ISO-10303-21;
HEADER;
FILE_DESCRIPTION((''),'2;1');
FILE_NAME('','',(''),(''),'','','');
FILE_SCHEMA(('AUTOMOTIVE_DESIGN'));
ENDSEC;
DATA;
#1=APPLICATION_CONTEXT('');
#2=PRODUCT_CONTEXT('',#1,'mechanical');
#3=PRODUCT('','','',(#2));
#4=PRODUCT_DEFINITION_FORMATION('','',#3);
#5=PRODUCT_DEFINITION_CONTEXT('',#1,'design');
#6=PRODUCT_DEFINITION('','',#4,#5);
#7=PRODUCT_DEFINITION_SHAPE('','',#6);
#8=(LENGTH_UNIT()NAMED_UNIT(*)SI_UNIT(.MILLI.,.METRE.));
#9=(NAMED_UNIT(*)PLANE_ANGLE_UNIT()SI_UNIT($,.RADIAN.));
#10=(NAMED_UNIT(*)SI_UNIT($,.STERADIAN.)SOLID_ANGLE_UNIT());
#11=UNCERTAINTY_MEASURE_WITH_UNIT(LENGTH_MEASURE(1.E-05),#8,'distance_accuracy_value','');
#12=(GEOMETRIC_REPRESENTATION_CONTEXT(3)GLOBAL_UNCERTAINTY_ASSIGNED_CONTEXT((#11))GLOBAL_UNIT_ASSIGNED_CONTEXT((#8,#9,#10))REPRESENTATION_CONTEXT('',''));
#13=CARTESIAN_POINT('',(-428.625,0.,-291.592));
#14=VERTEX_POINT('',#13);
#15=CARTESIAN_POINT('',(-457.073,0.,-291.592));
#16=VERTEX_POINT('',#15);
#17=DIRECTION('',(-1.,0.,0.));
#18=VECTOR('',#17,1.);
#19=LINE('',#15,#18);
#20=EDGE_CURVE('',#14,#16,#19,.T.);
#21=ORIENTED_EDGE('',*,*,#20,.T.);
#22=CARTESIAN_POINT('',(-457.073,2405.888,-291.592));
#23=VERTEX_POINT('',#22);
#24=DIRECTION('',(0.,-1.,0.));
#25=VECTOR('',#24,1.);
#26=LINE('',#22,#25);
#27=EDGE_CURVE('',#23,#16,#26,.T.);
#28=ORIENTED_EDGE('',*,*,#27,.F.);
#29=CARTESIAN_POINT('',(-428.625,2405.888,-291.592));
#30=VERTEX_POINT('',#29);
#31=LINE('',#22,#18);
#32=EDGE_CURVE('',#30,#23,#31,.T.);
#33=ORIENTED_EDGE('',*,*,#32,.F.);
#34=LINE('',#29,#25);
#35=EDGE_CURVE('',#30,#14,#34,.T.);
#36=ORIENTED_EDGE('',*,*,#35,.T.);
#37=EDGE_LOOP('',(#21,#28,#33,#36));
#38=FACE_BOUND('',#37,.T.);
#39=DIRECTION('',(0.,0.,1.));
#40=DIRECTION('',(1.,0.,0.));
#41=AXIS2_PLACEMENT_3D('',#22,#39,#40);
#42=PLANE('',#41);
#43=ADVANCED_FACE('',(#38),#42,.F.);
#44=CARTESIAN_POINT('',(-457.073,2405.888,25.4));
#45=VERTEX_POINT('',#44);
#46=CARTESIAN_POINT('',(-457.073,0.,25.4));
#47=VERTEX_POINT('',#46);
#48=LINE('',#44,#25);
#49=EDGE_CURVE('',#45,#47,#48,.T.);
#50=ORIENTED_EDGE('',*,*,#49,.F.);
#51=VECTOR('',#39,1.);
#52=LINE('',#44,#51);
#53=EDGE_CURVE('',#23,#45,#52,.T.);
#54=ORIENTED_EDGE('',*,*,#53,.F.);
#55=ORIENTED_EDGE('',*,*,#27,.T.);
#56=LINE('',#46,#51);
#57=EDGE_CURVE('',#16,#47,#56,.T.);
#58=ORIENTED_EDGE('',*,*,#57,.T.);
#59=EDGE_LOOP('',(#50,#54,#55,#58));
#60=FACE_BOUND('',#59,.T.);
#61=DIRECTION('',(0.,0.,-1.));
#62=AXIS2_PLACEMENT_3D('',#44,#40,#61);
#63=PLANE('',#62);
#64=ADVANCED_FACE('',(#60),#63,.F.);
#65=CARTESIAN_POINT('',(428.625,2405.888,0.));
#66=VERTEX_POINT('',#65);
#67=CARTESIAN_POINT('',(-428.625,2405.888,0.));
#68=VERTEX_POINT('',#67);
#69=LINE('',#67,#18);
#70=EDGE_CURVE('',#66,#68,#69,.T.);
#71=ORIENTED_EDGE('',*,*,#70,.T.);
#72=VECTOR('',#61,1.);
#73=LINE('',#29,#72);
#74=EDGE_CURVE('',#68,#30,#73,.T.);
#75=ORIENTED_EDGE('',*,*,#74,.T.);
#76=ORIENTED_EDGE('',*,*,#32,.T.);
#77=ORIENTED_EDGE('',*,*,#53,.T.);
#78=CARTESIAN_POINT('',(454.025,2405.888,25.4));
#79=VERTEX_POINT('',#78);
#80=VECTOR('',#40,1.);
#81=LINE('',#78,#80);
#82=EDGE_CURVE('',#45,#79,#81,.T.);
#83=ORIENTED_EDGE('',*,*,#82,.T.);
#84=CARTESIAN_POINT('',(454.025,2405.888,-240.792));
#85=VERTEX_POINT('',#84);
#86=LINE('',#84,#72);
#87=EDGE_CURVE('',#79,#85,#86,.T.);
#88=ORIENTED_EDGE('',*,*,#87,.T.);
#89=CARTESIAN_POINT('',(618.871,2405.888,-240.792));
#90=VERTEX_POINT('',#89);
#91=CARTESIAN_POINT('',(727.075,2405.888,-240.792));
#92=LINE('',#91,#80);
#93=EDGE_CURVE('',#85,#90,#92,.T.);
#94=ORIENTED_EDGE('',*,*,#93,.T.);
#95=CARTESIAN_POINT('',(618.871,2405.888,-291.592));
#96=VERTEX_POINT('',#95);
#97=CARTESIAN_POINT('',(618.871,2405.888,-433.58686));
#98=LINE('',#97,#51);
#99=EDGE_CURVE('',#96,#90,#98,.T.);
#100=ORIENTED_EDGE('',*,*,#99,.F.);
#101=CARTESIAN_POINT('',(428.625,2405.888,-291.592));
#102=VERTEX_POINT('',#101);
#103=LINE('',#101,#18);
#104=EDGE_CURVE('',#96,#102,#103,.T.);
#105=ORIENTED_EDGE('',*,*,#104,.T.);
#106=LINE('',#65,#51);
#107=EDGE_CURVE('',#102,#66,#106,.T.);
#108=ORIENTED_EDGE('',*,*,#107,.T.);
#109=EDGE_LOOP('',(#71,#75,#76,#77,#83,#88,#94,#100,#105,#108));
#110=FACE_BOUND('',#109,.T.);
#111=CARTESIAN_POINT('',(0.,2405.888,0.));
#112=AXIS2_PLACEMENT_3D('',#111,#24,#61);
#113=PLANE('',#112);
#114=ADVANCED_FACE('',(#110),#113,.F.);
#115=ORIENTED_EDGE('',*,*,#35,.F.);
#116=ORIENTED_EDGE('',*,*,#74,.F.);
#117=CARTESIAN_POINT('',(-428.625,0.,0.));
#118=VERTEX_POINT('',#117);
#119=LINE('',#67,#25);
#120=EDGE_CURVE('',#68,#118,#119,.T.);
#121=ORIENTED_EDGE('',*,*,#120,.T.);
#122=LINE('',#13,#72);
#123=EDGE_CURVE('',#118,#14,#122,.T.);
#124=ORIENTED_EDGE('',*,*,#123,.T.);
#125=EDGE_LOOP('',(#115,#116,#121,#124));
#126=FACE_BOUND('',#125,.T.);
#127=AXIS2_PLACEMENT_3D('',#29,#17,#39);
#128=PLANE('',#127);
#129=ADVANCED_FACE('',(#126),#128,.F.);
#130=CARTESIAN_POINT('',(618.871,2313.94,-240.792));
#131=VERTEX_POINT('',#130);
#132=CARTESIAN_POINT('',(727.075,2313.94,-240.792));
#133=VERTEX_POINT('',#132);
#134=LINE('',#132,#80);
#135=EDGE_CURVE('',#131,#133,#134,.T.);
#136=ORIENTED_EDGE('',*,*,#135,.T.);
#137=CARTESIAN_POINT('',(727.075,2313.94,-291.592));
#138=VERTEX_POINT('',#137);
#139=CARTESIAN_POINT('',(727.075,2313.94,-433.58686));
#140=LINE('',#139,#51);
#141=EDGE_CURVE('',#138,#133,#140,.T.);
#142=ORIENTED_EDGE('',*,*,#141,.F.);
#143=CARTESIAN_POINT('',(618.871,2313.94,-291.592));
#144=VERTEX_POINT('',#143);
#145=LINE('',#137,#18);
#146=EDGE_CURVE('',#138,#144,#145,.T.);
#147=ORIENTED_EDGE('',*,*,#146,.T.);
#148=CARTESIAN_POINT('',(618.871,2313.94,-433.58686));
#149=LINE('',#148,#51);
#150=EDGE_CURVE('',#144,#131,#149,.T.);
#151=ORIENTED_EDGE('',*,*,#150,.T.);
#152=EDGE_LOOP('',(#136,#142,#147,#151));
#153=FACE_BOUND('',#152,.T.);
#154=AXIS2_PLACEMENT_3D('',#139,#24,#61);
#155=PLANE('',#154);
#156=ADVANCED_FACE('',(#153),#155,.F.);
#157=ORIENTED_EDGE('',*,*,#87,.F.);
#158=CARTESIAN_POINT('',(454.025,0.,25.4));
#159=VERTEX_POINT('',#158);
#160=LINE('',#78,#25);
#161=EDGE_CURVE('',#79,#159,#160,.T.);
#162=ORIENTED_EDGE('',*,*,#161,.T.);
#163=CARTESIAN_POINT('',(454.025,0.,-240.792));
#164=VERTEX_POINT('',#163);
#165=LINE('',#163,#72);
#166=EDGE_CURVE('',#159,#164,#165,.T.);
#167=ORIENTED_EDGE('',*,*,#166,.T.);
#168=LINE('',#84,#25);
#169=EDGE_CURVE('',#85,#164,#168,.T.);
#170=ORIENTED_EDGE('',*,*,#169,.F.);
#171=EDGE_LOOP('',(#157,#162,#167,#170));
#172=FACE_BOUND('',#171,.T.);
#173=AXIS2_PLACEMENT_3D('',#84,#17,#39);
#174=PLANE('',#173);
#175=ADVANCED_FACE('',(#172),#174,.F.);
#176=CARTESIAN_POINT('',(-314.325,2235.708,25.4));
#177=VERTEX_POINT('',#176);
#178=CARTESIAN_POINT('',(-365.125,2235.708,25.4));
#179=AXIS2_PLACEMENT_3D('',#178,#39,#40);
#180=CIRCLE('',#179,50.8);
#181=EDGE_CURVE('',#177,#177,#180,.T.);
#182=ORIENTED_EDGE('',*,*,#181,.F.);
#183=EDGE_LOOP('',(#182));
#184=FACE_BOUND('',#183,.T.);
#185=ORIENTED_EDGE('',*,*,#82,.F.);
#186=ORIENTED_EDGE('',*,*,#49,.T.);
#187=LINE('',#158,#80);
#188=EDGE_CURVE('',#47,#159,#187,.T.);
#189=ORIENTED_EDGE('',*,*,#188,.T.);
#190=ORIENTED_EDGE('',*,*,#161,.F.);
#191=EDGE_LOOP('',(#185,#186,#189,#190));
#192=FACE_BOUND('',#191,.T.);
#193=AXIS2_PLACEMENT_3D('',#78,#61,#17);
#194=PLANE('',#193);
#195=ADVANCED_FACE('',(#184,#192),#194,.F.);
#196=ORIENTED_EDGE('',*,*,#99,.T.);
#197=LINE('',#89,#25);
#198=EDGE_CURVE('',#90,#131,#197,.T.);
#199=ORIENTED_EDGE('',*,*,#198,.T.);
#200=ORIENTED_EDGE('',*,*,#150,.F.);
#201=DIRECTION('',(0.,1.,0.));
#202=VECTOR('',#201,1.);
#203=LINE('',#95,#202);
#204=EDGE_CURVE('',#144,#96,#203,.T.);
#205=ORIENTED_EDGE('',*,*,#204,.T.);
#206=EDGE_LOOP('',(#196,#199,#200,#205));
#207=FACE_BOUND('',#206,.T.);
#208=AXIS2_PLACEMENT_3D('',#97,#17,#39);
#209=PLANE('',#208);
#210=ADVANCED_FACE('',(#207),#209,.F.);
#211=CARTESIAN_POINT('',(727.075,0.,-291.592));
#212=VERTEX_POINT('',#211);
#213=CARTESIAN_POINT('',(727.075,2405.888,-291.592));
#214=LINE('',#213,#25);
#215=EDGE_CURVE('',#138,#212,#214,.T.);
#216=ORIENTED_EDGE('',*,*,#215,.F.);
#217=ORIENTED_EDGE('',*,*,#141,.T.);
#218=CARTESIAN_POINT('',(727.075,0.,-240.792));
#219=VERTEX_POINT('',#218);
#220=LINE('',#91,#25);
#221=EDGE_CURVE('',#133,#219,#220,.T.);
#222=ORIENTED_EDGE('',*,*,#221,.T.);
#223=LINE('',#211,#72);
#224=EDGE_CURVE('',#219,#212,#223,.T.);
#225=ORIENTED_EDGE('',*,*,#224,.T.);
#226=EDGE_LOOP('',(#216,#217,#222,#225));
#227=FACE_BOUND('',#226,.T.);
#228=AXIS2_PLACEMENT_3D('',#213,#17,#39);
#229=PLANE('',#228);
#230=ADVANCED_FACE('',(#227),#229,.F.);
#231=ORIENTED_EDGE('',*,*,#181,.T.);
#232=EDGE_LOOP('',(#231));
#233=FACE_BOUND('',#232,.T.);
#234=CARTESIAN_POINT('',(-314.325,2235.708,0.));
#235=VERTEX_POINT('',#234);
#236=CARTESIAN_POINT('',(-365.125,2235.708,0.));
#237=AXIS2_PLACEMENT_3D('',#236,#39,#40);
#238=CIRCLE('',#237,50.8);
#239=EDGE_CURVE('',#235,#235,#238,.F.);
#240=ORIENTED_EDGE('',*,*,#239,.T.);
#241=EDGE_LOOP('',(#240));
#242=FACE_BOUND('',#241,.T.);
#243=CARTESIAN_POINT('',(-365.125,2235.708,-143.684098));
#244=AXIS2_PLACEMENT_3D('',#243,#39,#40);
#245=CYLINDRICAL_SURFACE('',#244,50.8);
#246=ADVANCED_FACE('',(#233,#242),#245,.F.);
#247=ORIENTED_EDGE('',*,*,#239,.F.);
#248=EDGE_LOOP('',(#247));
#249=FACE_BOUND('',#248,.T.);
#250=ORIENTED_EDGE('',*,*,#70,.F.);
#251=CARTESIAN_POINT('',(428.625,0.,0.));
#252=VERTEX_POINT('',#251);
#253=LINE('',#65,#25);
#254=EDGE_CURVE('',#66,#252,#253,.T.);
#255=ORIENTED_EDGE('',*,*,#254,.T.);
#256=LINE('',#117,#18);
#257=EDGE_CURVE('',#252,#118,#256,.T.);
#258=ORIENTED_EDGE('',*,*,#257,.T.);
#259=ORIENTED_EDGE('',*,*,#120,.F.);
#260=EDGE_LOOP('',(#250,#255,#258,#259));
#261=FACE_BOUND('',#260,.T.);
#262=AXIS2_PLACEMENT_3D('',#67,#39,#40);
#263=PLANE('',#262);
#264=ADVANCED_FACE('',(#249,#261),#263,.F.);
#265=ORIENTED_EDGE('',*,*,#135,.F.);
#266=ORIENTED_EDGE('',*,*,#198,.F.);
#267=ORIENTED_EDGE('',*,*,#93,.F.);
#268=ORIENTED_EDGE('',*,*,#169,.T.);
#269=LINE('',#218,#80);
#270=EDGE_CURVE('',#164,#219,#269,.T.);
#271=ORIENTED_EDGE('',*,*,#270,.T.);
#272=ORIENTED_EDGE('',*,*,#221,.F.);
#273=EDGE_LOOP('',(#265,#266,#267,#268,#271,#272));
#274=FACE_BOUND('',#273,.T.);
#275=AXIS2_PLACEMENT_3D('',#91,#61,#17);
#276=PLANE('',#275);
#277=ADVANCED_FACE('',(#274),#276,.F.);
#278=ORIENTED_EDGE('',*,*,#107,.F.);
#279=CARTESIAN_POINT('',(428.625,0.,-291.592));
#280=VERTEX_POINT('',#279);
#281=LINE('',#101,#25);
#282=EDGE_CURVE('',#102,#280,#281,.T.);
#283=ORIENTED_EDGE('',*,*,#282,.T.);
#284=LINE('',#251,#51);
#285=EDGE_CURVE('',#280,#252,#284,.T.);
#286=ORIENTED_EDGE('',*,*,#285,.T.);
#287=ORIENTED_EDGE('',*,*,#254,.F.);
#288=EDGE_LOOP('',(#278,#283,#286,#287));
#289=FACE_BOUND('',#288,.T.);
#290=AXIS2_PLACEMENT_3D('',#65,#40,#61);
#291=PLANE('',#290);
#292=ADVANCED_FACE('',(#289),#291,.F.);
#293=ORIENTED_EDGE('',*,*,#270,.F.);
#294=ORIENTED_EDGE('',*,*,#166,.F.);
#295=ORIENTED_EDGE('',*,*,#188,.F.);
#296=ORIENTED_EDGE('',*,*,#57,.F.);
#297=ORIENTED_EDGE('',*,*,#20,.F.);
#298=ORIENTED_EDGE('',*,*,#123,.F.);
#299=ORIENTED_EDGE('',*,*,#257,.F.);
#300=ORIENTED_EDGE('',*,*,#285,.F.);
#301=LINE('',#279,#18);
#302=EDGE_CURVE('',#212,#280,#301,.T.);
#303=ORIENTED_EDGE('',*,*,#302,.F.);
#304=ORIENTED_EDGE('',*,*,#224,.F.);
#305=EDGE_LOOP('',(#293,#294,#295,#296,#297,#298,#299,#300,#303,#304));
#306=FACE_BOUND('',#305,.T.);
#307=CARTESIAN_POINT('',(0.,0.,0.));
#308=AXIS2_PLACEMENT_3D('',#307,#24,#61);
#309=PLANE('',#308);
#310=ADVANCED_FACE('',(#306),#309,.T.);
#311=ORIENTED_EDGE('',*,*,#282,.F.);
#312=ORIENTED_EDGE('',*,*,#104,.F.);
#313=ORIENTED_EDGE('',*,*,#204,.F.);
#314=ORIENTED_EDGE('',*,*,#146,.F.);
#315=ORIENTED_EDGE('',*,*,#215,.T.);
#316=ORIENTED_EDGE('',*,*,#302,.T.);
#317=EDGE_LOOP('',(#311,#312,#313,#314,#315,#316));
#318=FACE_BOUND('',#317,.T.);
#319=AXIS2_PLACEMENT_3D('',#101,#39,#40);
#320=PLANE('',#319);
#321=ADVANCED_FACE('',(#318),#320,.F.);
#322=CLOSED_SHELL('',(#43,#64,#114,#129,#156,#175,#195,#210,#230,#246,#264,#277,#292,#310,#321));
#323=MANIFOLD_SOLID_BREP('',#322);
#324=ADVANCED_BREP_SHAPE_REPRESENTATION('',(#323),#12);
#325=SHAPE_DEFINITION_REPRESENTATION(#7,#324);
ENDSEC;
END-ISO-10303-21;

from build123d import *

# Parameters (mm, degrees)
BOSS_EXTRUDE1_DEPTH = 2405.888
SKETCH3_W           = 108.204
SKETCH3_H           = 91.948
CUT_EXTRUDE1_DEPTH  = 50.8
SKETCH4_R           = 50.8
CUT_EXTRUDE2_DEPTH  = 25.4


with BuildPart() as part:
    # Sketch2 → Boss-Extrude1 (new body)
    with BuildSketch(Plane(origin=(0, 0, 0), x_dir=(1, 0, 0), z_dir=(0, 1, 0))):
        Polygon((-457.073, 291.592), (-428.625, 291.592), (-428.625, 0), (428.625, 0), (428.625, 291.592), (727.075, 291.592), (727.075, 240.792), (454.025, 240.792), (454.025, -25.4), (-457.073, -25.4), align=None)
    extrude(amount=BOSS_EXTRUDE1_DEPTH)

    # Sketch3 → Cut-Extrude1 (cut)
    with BuildSketch(Plane.XY.offset(-240.792)):
        with Locations((672.973, 2359.914)):
            Rectangle(SKETCH3_W, SKETCH3_H)
    extrude(amount=-CUT_EXTRUDE1_DEPTH, mode=Mode.SUBTRACT)

    # Sketch4 → Cut-Extrude2 (cut)
    with BuildSketch(Plane.XY.offset(25.4)):
        with Locations((-365.125, 2235.708)):
            Circle(SKETCH4_R)
    extrude(amount=-CUT_EXTRUDE2_DEPTH, mode=Mode.SUBTRACT)


solid = part.part
